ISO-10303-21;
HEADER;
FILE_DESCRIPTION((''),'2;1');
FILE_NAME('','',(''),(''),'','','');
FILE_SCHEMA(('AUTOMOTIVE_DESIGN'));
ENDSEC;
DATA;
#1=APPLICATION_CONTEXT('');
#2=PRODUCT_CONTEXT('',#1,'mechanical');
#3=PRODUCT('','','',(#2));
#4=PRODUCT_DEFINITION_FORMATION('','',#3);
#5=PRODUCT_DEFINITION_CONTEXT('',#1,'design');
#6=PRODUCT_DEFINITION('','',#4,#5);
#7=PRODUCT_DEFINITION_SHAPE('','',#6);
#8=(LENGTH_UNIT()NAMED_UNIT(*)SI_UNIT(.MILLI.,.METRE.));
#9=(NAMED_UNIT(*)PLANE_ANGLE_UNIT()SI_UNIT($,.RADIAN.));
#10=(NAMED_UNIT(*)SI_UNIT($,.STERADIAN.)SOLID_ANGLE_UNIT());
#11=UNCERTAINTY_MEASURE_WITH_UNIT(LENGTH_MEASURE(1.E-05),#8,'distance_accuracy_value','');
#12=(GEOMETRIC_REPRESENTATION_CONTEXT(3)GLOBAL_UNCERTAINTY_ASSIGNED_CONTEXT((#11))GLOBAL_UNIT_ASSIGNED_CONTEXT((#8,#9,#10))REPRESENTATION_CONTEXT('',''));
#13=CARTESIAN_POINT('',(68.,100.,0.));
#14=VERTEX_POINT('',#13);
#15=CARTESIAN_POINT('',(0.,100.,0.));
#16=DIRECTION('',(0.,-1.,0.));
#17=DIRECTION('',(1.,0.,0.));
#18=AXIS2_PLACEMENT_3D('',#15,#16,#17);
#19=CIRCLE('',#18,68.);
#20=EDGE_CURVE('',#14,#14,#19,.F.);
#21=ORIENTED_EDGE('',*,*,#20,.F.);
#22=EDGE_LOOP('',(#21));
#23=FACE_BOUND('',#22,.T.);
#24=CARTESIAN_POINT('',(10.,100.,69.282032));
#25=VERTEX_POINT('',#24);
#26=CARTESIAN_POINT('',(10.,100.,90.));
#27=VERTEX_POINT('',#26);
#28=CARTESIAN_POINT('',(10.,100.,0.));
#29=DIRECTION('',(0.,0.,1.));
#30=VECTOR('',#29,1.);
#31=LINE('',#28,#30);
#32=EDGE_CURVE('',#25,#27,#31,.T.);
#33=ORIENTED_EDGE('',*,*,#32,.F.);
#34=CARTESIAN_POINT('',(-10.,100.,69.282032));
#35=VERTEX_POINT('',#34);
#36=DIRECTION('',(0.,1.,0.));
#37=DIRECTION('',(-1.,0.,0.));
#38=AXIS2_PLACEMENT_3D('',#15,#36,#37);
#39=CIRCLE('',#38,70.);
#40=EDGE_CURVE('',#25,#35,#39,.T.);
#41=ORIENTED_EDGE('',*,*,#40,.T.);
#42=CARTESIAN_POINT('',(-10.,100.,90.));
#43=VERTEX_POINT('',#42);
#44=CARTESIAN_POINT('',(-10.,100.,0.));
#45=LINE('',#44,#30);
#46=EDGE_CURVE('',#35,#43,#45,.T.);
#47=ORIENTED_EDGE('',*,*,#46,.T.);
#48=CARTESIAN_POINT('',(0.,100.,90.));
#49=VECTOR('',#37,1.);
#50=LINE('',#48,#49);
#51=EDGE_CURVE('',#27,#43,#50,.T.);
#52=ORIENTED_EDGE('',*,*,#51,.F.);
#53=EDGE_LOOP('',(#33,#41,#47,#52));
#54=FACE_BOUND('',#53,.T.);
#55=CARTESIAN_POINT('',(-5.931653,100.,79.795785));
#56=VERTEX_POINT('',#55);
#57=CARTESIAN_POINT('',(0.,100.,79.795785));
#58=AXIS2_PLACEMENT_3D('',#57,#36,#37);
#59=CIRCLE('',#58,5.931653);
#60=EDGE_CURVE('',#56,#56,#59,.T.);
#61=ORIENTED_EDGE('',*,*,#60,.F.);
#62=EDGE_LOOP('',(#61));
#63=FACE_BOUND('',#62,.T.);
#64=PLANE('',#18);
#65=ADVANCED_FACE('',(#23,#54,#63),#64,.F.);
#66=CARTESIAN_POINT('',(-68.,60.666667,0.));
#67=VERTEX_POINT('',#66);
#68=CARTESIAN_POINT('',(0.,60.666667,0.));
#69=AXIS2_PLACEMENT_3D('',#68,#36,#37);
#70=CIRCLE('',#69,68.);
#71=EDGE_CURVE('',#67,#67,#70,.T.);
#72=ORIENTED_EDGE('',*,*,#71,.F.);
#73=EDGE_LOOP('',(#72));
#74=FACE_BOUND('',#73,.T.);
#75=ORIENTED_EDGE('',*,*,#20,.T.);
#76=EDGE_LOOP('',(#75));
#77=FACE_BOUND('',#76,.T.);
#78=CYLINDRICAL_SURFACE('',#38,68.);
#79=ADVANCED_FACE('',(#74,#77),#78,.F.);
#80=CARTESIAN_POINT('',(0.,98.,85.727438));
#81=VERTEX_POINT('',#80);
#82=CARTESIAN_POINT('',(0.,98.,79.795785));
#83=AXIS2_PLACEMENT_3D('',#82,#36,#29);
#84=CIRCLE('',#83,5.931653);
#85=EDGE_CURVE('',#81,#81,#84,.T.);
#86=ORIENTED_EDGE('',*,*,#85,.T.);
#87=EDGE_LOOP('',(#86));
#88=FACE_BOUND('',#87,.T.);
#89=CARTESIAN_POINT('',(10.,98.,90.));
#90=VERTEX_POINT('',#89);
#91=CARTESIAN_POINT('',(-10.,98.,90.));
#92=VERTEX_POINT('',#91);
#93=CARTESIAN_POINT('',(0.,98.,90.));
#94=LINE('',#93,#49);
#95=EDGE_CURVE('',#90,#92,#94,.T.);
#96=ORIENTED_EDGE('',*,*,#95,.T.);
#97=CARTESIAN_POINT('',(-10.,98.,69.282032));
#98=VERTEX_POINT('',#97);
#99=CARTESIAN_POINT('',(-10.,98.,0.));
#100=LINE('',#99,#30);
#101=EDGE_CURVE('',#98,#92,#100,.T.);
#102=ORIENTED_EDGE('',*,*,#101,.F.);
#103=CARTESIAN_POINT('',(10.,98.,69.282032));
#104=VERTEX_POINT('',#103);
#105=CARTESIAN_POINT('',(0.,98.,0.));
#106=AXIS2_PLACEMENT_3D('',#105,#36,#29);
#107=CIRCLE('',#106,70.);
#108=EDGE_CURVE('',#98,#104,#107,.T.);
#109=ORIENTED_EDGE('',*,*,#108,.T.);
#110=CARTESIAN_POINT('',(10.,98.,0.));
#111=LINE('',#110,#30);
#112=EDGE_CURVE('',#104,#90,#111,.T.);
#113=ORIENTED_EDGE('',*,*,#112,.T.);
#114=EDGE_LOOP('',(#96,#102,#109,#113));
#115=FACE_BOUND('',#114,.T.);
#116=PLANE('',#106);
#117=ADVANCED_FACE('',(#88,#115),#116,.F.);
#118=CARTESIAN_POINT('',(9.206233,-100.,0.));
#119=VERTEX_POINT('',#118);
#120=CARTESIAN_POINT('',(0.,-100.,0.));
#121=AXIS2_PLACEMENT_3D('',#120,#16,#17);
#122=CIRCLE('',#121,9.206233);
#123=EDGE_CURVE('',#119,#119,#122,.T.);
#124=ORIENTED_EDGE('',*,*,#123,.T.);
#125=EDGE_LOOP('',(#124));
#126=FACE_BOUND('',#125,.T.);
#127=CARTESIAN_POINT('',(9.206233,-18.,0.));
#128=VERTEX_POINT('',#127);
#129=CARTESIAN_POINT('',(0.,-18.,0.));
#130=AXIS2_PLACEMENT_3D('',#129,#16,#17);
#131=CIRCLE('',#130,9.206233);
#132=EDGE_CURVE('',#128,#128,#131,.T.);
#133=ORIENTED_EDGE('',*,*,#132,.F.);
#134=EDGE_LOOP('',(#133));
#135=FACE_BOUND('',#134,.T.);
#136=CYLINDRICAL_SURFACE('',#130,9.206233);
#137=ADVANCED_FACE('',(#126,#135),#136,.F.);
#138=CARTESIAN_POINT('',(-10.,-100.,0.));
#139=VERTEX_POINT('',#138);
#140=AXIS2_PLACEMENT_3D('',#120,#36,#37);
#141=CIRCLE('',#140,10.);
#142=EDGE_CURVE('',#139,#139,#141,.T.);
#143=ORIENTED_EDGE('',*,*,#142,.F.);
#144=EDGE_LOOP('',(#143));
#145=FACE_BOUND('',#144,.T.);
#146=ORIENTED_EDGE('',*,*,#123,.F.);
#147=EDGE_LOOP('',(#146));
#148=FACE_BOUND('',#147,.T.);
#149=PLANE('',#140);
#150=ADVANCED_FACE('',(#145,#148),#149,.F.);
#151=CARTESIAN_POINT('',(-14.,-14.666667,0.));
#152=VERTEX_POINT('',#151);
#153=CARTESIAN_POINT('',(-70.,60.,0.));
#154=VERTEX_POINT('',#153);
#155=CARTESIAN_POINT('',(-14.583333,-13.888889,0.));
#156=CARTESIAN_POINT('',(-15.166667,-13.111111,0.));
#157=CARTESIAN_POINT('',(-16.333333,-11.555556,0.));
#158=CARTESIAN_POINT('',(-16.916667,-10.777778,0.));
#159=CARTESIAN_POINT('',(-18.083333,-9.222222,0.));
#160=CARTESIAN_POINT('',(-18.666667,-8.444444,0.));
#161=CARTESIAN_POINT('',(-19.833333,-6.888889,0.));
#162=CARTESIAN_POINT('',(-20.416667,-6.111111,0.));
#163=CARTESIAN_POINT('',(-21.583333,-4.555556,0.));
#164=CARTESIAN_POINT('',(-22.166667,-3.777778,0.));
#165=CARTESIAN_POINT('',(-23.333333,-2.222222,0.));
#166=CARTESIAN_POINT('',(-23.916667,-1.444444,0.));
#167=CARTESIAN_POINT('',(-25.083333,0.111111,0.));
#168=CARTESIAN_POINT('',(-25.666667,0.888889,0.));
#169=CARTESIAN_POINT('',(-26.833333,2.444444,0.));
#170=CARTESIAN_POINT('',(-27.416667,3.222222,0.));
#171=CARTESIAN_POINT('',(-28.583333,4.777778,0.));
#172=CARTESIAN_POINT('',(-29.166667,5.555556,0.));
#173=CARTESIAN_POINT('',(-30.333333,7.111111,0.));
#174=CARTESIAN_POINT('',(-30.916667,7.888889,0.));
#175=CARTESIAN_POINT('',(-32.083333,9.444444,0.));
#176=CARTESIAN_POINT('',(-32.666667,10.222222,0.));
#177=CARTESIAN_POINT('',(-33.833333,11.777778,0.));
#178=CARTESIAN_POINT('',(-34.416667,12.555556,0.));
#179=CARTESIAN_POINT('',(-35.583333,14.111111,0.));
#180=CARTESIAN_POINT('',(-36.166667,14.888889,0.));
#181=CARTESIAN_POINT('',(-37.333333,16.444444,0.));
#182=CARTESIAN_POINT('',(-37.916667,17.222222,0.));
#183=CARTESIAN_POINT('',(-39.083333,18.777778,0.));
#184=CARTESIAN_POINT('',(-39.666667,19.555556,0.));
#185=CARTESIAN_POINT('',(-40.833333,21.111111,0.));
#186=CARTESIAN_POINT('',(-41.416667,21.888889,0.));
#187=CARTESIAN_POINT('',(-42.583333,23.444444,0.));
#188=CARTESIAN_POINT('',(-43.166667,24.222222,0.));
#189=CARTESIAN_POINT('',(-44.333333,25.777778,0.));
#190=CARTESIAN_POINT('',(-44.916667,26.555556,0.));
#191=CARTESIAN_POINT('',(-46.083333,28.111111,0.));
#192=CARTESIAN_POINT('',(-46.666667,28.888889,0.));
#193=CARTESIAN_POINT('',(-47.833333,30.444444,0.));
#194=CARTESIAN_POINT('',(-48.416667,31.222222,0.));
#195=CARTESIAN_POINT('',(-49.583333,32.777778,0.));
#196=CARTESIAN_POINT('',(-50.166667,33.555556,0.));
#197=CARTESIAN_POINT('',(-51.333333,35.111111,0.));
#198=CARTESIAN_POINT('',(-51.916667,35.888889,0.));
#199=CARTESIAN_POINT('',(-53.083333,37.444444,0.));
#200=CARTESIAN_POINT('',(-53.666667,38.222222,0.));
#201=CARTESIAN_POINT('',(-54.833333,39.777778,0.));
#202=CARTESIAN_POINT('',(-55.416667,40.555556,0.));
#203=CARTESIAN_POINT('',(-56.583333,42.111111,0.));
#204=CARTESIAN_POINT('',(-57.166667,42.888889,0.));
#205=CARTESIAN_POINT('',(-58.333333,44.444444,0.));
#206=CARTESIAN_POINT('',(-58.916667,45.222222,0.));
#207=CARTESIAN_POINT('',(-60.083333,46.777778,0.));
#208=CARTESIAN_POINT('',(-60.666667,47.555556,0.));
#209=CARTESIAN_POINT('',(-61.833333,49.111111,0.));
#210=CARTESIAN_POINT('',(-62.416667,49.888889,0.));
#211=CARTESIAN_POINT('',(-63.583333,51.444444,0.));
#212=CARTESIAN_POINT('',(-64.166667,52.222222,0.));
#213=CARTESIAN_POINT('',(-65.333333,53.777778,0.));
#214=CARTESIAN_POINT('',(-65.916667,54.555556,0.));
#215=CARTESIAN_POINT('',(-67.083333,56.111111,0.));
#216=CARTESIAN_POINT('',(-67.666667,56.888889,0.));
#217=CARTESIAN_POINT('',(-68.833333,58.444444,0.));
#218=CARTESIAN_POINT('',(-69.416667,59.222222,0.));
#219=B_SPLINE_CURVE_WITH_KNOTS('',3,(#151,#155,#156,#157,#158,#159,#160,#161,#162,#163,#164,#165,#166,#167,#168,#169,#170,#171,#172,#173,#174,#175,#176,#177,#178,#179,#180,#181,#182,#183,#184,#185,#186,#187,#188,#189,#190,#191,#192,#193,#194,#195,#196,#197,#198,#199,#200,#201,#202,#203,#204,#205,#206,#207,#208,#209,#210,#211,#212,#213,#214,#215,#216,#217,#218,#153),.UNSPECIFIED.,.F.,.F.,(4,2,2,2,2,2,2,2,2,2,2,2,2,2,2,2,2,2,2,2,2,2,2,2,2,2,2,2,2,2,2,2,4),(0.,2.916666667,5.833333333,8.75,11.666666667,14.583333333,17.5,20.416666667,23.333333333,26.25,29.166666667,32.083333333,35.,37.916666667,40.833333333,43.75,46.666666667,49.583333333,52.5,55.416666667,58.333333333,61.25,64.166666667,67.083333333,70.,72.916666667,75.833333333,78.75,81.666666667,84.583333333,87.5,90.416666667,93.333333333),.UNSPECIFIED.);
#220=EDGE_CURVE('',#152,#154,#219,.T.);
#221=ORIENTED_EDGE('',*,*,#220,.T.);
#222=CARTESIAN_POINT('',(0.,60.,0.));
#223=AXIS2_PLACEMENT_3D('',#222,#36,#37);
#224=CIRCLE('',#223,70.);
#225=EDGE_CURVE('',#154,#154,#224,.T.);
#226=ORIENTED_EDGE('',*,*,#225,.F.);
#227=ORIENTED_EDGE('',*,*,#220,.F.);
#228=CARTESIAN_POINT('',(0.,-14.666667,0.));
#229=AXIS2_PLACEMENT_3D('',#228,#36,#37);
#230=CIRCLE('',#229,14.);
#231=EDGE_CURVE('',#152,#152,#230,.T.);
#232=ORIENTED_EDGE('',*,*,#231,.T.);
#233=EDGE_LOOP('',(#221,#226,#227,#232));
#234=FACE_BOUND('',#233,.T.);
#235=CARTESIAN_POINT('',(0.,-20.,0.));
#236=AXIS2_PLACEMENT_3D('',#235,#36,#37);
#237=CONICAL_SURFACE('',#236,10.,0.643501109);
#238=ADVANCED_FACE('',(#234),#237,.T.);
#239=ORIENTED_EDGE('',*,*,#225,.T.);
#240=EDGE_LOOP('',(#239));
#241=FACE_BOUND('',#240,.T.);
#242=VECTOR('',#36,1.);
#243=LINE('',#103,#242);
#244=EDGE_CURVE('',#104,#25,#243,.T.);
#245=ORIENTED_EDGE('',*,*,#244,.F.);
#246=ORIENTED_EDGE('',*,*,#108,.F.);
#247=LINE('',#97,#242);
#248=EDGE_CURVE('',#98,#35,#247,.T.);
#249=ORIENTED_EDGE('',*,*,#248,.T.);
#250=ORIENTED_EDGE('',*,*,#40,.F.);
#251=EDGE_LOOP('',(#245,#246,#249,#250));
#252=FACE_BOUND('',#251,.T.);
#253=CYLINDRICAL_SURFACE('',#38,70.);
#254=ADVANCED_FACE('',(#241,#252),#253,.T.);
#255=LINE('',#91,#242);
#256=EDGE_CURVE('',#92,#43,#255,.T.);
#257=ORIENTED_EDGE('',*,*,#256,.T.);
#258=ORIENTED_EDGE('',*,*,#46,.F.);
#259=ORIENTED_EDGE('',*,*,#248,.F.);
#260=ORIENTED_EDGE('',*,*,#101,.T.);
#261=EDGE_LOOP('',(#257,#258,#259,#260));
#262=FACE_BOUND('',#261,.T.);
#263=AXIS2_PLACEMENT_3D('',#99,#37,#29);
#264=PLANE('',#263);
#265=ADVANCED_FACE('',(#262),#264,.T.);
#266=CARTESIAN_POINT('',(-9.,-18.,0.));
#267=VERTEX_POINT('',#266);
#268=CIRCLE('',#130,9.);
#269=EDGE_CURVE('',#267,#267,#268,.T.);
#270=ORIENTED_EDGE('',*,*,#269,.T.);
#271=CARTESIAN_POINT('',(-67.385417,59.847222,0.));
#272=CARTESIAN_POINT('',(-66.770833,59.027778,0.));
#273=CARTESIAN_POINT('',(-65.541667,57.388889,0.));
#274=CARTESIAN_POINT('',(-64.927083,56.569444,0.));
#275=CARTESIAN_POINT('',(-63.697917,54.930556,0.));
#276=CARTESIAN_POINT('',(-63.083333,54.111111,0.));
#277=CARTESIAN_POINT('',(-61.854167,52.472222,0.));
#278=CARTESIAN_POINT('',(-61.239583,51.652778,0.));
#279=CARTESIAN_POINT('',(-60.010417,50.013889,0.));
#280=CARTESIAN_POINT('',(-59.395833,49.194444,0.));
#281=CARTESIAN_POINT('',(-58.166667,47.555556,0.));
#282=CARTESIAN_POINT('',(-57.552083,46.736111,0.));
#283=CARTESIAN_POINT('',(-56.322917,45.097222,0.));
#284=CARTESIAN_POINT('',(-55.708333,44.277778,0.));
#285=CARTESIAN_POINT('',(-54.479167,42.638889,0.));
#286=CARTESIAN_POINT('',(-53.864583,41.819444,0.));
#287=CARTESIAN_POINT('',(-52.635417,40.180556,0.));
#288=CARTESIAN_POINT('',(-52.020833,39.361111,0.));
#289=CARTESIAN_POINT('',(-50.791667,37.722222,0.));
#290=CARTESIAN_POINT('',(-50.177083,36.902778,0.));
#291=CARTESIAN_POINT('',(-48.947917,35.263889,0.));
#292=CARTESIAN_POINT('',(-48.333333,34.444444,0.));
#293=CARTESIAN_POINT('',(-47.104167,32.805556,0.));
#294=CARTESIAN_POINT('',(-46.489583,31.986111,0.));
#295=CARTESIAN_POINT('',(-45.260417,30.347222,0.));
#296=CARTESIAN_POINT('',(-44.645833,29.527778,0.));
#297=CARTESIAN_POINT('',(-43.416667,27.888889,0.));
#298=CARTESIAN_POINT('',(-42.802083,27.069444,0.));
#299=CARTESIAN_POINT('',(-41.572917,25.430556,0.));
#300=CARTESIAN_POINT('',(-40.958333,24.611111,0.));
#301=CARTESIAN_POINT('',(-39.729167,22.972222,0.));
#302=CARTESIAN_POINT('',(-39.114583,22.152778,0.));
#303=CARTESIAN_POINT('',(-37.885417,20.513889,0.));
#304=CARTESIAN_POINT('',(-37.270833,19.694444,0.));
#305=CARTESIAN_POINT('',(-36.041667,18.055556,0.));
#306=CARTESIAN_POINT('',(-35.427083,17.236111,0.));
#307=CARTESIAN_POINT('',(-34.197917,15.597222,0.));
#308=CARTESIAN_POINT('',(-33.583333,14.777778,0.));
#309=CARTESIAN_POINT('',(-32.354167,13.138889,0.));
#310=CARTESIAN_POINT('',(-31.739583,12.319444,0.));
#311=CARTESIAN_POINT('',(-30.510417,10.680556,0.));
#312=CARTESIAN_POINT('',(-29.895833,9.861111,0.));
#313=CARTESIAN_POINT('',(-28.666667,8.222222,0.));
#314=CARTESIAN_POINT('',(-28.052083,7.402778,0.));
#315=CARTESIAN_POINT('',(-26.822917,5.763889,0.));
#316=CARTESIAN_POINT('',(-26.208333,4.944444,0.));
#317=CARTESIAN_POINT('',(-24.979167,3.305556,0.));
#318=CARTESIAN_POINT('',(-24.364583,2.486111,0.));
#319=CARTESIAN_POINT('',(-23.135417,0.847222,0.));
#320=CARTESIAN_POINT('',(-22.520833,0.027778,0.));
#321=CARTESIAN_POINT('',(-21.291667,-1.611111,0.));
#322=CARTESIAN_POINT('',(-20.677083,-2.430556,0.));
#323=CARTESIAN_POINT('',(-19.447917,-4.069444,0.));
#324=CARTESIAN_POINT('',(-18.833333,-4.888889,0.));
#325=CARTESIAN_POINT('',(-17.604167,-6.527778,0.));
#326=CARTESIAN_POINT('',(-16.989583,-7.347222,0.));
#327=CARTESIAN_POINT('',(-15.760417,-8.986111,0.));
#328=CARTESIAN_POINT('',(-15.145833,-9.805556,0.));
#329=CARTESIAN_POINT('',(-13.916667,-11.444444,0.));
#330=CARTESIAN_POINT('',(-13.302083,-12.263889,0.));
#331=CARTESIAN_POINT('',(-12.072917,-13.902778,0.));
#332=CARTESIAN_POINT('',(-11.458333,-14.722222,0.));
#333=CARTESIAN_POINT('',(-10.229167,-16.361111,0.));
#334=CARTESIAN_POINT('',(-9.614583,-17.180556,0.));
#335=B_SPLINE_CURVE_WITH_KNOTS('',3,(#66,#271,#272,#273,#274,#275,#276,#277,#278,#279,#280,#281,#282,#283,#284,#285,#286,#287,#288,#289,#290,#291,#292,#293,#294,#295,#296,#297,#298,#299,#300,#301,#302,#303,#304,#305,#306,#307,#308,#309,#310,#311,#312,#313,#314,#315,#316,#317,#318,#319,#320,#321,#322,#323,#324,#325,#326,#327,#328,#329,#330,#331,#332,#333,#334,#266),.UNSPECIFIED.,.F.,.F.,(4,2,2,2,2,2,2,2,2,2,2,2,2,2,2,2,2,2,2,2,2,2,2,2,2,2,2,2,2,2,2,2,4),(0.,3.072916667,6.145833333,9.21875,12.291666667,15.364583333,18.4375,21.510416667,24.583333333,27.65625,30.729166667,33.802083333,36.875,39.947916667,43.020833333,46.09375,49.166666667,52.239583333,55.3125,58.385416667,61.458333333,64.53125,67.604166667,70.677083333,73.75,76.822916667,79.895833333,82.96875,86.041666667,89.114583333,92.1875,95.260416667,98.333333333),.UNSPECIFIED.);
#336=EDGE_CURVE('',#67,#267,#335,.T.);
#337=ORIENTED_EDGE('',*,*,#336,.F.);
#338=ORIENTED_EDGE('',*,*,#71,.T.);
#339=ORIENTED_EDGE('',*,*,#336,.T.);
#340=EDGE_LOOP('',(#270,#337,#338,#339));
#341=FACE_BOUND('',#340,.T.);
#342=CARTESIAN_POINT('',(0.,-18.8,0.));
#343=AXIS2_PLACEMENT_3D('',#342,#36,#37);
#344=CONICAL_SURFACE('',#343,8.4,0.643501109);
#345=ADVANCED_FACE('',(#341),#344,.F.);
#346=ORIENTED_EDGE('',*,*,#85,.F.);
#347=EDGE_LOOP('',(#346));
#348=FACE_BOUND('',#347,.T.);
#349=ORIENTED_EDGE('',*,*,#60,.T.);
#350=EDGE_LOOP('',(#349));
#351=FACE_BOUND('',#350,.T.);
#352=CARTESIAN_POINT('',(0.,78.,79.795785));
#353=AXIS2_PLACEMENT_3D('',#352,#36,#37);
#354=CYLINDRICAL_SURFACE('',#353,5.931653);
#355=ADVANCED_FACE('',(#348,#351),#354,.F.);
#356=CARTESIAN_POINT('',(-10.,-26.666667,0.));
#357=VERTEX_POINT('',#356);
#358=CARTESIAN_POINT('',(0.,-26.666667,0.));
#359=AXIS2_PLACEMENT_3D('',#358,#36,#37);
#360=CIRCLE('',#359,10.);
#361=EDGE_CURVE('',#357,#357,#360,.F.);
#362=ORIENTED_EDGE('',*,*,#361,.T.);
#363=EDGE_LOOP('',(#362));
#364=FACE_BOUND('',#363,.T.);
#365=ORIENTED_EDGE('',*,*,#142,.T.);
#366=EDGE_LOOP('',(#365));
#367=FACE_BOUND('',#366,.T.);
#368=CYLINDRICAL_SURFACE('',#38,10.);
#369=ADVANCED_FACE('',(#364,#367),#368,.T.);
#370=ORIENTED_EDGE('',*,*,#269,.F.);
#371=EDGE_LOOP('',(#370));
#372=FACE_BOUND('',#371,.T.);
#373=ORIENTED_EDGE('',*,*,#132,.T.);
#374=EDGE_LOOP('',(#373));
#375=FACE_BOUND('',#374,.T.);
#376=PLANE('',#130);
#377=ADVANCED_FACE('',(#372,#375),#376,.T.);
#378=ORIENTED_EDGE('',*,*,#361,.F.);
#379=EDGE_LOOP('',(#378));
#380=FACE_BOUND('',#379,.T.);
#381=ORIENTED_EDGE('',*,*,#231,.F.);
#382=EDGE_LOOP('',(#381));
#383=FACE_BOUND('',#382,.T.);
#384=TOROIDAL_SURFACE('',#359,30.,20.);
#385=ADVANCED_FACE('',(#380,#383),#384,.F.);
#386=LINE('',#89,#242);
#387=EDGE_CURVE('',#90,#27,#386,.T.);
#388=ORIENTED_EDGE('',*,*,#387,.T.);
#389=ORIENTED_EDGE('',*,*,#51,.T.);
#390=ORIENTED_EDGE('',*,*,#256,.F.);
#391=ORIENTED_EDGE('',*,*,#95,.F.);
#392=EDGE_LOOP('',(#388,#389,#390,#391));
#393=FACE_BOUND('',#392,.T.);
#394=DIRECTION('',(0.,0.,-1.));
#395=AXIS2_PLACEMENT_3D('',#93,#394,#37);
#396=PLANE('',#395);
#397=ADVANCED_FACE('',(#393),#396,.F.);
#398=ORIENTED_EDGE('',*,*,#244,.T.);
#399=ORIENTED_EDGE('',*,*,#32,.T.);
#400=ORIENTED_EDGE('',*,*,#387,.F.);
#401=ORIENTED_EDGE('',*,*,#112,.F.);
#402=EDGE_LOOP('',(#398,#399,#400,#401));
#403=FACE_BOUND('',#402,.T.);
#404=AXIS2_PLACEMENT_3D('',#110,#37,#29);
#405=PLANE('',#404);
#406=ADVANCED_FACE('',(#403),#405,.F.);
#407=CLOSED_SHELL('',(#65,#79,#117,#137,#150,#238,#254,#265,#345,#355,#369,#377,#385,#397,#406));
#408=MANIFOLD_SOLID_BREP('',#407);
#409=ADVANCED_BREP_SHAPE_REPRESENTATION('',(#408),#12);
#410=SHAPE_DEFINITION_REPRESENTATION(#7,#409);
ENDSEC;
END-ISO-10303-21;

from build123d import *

# Parameters (mm, degrees)
VACIADO1_T              = -2
SALIENTE_EXTRUIR1_DEPTH = 2
CROQUIS3_R              = 5.931653108
CORTAR_EXTRUIR1_DEPTH   = 22
CROQUIS4_R              = 9.206232533
CORTAR_EXTRUIR2_DEPTH   = 82
REDONDEO1_R             = 20


with BuildPart() as part:
    # Croquis1 → Revolución1 (revolve)
    with BuildSketch(Plane.XY, mode=Mode.PRIVATE) as revoluci_n1_sk:
        Polygon((10, -20), (70, 60), (70, 100), (0, 100), (0, -100), (10, -100), align=None)
    revolve(revoluci_n1_sk.sketch.rotate(Axis((0, 100, 0), (0, -1, 0)), 180), axis=Axis((0, 100, 0), (0, -1, 0)))

    # Vaciado1
    vaciado1_openings = [part.faces().sort_by_distance(p)[0] for p in [
        (0, -100, 0),
        (0, 100, 0),
    ]]
    offset(amount=VACIADO1_T, openings=vaciado1_openings, kind=Kind.INTERSECTION)

    # Croquis2 → Saliente-Extruir1 (add)
    with BuildSketch(Plane(origin=(0, 100, 0), x_dir=(1, 0, 0), z_dir=(0, 1, 0))):
        with BuildLine():
            ThreePointArc((10, -69.282032303), (5.012870376, -69.82027736), (0, -70))
            Line((0, -70), (0, -90))
            Line((0, -90), (10, -90))
            Line((10, -90), (10, -69.282032303))
        make_face()
        with BuildLine():
            Line((0, -90), (0, -70))
            ThreePointArc((0, -70), (-5.012870376, -69.82027736), (-10, -69.282032303))
            Line((-10, -69.282032303), (-10, -90))
            Line((-10, -90), (0, -90))
        make_face()
    extrude(amount=-SALIENTE_EXTRUIR1_DEPTH)

    # Croquis3 → Cortar-Extruir1 (cut)
    with BuildSketch(Plane(origin=(0, 100, 0), x_dir=(1, 0, 0), z_dir=(0, 1, 0))):
        with Locations(Location((0, -79.795784901, 0), (0, 0, 180))):
            Circle(CROQUIS3_R)
    extrude(amount=-CORTAR_EXTRUIR1_DEPTH, mode=Mode.SUBTRACT)

    # Croquis4 → Cortar-Extruir2 (cut)
    with BuildSketch(Plane(origin=(0, -100, 0), x_dir=(-1, 0, 0), z_dir=(0, -1, 0))):
        with Locations(Location((0, 0, 0), (0, 0, 180))):
            Circle(CROQUIS4_R)
    extrude(amount=-CORTAR_EXTRUIR2_DEPTH, mode=Mode.SUBTRACT)

    # Redondeo1
    redondeo1_edges = [part.edges().sort_by_distance(p)[0] for p in [
        (10, -20, 0),
    ]]
    fillet(redondeo1_edges, radius=REDONDEO1_R)


solid = part.part
